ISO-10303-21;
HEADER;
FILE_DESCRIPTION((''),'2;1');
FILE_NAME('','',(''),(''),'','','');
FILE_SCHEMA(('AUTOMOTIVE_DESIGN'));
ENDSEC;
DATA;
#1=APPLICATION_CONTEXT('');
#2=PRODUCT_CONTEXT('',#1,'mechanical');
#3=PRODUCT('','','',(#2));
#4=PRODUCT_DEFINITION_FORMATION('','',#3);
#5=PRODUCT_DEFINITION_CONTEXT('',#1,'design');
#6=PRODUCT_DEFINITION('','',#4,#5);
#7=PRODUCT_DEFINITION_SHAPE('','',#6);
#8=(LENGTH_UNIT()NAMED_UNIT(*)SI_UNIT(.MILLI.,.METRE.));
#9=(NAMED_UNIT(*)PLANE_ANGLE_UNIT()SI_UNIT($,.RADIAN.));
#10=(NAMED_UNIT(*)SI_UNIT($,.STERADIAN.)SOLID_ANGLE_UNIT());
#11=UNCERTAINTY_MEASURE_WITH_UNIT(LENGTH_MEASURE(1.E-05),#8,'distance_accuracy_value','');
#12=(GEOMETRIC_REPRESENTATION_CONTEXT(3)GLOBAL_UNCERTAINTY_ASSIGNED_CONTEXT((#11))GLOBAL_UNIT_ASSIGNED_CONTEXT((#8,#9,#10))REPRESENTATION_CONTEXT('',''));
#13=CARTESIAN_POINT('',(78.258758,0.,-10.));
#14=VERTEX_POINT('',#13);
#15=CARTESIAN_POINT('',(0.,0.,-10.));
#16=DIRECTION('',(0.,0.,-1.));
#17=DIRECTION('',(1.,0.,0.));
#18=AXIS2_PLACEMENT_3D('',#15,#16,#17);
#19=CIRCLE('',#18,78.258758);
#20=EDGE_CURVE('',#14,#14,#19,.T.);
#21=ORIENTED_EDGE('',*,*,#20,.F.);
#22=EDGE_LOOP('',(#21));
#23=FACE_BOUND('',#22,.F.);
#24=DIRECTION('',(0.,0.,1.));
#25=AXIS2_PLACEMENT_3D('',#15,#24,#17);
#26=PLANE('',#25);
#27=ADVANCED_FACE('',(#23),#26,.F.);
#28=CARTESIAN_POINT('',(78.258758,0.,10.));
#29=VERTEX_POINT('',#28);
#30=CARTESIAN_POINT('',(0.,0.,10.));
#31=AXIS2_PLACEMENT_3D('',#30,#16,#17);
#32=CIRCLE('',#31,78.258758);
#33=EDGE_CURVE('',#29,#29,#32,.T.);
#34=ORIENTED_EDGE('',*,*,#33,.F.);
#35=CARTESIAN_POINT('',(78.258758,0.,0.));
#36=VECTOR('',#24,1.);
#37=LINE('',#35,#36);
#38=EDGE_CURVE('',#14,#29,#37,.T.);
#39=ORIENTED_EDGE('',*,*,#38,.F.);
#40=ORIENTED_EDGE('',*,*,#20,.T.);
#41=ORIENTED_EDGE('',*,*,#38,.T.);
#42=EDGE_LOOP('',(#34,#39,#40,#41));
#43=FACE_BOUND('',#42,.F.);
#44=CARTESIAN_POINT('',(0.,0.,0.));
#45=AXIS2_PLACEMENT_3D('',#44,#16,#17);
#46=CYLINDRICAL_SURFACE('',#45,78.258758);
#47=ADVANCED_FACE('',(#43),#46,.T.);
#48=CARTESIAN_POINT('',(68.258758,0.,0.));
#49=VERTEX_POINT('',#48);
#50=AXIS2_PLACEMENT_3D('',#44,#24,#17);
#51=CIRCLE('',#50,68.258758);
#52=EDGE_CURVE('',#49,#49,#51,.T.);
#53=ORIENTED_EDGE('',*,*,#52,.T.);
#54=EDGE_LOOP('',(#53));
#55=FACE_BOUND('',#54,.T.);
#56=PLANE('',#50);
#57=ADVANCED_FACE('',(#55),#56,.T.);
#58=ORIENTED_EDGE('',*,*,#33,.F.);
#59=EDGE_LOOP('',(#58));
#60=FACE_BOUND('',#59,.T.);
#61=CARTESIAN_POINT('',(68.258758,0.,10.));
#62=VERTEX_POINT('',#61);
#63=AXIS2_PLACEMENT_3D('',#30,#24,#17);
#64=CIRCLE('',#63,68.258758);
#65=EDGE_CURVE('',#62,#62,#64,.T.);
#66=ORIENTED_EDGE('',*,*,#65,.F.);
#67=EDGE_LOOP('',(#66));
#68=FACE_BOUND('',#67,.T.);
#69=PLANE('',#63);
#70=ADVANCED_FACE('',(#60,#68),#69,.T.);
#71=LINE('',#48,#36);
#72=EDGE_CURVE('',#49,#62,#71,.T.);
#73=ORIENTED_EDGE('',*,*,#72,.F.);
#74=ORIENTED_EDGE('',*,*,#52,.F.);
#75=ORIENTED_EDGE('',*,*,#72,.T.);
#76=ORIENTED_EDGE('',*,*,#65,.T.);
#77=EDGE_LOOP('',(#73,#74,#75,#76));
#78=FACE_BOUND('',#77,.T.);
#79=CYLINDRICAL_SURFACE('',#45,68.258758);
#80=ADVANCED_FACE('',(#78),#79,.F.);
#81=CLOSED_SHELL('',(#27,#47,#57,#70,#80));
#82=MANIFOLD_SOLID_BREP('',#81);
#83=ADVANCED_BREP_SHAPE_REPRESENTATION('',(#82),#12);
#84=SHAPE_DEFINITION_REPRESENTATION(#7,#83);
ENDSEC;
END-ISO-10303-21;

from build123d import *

# Parameters (mm, degrees)
F0_R     = 68.2587577657
F1_DEPTH = 10
F2_R     = 60.1472105794
F3_DEPTH = 5
F4_R     = 56.5410055919
F5_DEPTH = 7
F6_T     = 10


with BuildPart() as f1:
    # F0 (on Top) → F1 (new body)
    with BuildSketch(Plane.XY):
        Circle(F0_R)
    extrude(amount=F1_DEPTH)

    # F2 (on face) → F3 (join)
    with BuildSketch(Plane.XY.offset(10)):
        Circle(F2_R)
    extrude(amount=-F3_DEPTH)

    # F4 (on face) → F5 (join)
    with BuildSketch(Plane.XY.offset(10)):
        Circle(F4_R)
    extrude(amount=-F5_DEPTH)

    # F6
    f6_openings = [f1.faces().sort_by_distance(p)[0] for p in [
        (0, 0, 10),
    ]]
    offset(amount=F6_T, openings=f6_openings, kind=Kind.INTERSECTION)


solid = f1.part
